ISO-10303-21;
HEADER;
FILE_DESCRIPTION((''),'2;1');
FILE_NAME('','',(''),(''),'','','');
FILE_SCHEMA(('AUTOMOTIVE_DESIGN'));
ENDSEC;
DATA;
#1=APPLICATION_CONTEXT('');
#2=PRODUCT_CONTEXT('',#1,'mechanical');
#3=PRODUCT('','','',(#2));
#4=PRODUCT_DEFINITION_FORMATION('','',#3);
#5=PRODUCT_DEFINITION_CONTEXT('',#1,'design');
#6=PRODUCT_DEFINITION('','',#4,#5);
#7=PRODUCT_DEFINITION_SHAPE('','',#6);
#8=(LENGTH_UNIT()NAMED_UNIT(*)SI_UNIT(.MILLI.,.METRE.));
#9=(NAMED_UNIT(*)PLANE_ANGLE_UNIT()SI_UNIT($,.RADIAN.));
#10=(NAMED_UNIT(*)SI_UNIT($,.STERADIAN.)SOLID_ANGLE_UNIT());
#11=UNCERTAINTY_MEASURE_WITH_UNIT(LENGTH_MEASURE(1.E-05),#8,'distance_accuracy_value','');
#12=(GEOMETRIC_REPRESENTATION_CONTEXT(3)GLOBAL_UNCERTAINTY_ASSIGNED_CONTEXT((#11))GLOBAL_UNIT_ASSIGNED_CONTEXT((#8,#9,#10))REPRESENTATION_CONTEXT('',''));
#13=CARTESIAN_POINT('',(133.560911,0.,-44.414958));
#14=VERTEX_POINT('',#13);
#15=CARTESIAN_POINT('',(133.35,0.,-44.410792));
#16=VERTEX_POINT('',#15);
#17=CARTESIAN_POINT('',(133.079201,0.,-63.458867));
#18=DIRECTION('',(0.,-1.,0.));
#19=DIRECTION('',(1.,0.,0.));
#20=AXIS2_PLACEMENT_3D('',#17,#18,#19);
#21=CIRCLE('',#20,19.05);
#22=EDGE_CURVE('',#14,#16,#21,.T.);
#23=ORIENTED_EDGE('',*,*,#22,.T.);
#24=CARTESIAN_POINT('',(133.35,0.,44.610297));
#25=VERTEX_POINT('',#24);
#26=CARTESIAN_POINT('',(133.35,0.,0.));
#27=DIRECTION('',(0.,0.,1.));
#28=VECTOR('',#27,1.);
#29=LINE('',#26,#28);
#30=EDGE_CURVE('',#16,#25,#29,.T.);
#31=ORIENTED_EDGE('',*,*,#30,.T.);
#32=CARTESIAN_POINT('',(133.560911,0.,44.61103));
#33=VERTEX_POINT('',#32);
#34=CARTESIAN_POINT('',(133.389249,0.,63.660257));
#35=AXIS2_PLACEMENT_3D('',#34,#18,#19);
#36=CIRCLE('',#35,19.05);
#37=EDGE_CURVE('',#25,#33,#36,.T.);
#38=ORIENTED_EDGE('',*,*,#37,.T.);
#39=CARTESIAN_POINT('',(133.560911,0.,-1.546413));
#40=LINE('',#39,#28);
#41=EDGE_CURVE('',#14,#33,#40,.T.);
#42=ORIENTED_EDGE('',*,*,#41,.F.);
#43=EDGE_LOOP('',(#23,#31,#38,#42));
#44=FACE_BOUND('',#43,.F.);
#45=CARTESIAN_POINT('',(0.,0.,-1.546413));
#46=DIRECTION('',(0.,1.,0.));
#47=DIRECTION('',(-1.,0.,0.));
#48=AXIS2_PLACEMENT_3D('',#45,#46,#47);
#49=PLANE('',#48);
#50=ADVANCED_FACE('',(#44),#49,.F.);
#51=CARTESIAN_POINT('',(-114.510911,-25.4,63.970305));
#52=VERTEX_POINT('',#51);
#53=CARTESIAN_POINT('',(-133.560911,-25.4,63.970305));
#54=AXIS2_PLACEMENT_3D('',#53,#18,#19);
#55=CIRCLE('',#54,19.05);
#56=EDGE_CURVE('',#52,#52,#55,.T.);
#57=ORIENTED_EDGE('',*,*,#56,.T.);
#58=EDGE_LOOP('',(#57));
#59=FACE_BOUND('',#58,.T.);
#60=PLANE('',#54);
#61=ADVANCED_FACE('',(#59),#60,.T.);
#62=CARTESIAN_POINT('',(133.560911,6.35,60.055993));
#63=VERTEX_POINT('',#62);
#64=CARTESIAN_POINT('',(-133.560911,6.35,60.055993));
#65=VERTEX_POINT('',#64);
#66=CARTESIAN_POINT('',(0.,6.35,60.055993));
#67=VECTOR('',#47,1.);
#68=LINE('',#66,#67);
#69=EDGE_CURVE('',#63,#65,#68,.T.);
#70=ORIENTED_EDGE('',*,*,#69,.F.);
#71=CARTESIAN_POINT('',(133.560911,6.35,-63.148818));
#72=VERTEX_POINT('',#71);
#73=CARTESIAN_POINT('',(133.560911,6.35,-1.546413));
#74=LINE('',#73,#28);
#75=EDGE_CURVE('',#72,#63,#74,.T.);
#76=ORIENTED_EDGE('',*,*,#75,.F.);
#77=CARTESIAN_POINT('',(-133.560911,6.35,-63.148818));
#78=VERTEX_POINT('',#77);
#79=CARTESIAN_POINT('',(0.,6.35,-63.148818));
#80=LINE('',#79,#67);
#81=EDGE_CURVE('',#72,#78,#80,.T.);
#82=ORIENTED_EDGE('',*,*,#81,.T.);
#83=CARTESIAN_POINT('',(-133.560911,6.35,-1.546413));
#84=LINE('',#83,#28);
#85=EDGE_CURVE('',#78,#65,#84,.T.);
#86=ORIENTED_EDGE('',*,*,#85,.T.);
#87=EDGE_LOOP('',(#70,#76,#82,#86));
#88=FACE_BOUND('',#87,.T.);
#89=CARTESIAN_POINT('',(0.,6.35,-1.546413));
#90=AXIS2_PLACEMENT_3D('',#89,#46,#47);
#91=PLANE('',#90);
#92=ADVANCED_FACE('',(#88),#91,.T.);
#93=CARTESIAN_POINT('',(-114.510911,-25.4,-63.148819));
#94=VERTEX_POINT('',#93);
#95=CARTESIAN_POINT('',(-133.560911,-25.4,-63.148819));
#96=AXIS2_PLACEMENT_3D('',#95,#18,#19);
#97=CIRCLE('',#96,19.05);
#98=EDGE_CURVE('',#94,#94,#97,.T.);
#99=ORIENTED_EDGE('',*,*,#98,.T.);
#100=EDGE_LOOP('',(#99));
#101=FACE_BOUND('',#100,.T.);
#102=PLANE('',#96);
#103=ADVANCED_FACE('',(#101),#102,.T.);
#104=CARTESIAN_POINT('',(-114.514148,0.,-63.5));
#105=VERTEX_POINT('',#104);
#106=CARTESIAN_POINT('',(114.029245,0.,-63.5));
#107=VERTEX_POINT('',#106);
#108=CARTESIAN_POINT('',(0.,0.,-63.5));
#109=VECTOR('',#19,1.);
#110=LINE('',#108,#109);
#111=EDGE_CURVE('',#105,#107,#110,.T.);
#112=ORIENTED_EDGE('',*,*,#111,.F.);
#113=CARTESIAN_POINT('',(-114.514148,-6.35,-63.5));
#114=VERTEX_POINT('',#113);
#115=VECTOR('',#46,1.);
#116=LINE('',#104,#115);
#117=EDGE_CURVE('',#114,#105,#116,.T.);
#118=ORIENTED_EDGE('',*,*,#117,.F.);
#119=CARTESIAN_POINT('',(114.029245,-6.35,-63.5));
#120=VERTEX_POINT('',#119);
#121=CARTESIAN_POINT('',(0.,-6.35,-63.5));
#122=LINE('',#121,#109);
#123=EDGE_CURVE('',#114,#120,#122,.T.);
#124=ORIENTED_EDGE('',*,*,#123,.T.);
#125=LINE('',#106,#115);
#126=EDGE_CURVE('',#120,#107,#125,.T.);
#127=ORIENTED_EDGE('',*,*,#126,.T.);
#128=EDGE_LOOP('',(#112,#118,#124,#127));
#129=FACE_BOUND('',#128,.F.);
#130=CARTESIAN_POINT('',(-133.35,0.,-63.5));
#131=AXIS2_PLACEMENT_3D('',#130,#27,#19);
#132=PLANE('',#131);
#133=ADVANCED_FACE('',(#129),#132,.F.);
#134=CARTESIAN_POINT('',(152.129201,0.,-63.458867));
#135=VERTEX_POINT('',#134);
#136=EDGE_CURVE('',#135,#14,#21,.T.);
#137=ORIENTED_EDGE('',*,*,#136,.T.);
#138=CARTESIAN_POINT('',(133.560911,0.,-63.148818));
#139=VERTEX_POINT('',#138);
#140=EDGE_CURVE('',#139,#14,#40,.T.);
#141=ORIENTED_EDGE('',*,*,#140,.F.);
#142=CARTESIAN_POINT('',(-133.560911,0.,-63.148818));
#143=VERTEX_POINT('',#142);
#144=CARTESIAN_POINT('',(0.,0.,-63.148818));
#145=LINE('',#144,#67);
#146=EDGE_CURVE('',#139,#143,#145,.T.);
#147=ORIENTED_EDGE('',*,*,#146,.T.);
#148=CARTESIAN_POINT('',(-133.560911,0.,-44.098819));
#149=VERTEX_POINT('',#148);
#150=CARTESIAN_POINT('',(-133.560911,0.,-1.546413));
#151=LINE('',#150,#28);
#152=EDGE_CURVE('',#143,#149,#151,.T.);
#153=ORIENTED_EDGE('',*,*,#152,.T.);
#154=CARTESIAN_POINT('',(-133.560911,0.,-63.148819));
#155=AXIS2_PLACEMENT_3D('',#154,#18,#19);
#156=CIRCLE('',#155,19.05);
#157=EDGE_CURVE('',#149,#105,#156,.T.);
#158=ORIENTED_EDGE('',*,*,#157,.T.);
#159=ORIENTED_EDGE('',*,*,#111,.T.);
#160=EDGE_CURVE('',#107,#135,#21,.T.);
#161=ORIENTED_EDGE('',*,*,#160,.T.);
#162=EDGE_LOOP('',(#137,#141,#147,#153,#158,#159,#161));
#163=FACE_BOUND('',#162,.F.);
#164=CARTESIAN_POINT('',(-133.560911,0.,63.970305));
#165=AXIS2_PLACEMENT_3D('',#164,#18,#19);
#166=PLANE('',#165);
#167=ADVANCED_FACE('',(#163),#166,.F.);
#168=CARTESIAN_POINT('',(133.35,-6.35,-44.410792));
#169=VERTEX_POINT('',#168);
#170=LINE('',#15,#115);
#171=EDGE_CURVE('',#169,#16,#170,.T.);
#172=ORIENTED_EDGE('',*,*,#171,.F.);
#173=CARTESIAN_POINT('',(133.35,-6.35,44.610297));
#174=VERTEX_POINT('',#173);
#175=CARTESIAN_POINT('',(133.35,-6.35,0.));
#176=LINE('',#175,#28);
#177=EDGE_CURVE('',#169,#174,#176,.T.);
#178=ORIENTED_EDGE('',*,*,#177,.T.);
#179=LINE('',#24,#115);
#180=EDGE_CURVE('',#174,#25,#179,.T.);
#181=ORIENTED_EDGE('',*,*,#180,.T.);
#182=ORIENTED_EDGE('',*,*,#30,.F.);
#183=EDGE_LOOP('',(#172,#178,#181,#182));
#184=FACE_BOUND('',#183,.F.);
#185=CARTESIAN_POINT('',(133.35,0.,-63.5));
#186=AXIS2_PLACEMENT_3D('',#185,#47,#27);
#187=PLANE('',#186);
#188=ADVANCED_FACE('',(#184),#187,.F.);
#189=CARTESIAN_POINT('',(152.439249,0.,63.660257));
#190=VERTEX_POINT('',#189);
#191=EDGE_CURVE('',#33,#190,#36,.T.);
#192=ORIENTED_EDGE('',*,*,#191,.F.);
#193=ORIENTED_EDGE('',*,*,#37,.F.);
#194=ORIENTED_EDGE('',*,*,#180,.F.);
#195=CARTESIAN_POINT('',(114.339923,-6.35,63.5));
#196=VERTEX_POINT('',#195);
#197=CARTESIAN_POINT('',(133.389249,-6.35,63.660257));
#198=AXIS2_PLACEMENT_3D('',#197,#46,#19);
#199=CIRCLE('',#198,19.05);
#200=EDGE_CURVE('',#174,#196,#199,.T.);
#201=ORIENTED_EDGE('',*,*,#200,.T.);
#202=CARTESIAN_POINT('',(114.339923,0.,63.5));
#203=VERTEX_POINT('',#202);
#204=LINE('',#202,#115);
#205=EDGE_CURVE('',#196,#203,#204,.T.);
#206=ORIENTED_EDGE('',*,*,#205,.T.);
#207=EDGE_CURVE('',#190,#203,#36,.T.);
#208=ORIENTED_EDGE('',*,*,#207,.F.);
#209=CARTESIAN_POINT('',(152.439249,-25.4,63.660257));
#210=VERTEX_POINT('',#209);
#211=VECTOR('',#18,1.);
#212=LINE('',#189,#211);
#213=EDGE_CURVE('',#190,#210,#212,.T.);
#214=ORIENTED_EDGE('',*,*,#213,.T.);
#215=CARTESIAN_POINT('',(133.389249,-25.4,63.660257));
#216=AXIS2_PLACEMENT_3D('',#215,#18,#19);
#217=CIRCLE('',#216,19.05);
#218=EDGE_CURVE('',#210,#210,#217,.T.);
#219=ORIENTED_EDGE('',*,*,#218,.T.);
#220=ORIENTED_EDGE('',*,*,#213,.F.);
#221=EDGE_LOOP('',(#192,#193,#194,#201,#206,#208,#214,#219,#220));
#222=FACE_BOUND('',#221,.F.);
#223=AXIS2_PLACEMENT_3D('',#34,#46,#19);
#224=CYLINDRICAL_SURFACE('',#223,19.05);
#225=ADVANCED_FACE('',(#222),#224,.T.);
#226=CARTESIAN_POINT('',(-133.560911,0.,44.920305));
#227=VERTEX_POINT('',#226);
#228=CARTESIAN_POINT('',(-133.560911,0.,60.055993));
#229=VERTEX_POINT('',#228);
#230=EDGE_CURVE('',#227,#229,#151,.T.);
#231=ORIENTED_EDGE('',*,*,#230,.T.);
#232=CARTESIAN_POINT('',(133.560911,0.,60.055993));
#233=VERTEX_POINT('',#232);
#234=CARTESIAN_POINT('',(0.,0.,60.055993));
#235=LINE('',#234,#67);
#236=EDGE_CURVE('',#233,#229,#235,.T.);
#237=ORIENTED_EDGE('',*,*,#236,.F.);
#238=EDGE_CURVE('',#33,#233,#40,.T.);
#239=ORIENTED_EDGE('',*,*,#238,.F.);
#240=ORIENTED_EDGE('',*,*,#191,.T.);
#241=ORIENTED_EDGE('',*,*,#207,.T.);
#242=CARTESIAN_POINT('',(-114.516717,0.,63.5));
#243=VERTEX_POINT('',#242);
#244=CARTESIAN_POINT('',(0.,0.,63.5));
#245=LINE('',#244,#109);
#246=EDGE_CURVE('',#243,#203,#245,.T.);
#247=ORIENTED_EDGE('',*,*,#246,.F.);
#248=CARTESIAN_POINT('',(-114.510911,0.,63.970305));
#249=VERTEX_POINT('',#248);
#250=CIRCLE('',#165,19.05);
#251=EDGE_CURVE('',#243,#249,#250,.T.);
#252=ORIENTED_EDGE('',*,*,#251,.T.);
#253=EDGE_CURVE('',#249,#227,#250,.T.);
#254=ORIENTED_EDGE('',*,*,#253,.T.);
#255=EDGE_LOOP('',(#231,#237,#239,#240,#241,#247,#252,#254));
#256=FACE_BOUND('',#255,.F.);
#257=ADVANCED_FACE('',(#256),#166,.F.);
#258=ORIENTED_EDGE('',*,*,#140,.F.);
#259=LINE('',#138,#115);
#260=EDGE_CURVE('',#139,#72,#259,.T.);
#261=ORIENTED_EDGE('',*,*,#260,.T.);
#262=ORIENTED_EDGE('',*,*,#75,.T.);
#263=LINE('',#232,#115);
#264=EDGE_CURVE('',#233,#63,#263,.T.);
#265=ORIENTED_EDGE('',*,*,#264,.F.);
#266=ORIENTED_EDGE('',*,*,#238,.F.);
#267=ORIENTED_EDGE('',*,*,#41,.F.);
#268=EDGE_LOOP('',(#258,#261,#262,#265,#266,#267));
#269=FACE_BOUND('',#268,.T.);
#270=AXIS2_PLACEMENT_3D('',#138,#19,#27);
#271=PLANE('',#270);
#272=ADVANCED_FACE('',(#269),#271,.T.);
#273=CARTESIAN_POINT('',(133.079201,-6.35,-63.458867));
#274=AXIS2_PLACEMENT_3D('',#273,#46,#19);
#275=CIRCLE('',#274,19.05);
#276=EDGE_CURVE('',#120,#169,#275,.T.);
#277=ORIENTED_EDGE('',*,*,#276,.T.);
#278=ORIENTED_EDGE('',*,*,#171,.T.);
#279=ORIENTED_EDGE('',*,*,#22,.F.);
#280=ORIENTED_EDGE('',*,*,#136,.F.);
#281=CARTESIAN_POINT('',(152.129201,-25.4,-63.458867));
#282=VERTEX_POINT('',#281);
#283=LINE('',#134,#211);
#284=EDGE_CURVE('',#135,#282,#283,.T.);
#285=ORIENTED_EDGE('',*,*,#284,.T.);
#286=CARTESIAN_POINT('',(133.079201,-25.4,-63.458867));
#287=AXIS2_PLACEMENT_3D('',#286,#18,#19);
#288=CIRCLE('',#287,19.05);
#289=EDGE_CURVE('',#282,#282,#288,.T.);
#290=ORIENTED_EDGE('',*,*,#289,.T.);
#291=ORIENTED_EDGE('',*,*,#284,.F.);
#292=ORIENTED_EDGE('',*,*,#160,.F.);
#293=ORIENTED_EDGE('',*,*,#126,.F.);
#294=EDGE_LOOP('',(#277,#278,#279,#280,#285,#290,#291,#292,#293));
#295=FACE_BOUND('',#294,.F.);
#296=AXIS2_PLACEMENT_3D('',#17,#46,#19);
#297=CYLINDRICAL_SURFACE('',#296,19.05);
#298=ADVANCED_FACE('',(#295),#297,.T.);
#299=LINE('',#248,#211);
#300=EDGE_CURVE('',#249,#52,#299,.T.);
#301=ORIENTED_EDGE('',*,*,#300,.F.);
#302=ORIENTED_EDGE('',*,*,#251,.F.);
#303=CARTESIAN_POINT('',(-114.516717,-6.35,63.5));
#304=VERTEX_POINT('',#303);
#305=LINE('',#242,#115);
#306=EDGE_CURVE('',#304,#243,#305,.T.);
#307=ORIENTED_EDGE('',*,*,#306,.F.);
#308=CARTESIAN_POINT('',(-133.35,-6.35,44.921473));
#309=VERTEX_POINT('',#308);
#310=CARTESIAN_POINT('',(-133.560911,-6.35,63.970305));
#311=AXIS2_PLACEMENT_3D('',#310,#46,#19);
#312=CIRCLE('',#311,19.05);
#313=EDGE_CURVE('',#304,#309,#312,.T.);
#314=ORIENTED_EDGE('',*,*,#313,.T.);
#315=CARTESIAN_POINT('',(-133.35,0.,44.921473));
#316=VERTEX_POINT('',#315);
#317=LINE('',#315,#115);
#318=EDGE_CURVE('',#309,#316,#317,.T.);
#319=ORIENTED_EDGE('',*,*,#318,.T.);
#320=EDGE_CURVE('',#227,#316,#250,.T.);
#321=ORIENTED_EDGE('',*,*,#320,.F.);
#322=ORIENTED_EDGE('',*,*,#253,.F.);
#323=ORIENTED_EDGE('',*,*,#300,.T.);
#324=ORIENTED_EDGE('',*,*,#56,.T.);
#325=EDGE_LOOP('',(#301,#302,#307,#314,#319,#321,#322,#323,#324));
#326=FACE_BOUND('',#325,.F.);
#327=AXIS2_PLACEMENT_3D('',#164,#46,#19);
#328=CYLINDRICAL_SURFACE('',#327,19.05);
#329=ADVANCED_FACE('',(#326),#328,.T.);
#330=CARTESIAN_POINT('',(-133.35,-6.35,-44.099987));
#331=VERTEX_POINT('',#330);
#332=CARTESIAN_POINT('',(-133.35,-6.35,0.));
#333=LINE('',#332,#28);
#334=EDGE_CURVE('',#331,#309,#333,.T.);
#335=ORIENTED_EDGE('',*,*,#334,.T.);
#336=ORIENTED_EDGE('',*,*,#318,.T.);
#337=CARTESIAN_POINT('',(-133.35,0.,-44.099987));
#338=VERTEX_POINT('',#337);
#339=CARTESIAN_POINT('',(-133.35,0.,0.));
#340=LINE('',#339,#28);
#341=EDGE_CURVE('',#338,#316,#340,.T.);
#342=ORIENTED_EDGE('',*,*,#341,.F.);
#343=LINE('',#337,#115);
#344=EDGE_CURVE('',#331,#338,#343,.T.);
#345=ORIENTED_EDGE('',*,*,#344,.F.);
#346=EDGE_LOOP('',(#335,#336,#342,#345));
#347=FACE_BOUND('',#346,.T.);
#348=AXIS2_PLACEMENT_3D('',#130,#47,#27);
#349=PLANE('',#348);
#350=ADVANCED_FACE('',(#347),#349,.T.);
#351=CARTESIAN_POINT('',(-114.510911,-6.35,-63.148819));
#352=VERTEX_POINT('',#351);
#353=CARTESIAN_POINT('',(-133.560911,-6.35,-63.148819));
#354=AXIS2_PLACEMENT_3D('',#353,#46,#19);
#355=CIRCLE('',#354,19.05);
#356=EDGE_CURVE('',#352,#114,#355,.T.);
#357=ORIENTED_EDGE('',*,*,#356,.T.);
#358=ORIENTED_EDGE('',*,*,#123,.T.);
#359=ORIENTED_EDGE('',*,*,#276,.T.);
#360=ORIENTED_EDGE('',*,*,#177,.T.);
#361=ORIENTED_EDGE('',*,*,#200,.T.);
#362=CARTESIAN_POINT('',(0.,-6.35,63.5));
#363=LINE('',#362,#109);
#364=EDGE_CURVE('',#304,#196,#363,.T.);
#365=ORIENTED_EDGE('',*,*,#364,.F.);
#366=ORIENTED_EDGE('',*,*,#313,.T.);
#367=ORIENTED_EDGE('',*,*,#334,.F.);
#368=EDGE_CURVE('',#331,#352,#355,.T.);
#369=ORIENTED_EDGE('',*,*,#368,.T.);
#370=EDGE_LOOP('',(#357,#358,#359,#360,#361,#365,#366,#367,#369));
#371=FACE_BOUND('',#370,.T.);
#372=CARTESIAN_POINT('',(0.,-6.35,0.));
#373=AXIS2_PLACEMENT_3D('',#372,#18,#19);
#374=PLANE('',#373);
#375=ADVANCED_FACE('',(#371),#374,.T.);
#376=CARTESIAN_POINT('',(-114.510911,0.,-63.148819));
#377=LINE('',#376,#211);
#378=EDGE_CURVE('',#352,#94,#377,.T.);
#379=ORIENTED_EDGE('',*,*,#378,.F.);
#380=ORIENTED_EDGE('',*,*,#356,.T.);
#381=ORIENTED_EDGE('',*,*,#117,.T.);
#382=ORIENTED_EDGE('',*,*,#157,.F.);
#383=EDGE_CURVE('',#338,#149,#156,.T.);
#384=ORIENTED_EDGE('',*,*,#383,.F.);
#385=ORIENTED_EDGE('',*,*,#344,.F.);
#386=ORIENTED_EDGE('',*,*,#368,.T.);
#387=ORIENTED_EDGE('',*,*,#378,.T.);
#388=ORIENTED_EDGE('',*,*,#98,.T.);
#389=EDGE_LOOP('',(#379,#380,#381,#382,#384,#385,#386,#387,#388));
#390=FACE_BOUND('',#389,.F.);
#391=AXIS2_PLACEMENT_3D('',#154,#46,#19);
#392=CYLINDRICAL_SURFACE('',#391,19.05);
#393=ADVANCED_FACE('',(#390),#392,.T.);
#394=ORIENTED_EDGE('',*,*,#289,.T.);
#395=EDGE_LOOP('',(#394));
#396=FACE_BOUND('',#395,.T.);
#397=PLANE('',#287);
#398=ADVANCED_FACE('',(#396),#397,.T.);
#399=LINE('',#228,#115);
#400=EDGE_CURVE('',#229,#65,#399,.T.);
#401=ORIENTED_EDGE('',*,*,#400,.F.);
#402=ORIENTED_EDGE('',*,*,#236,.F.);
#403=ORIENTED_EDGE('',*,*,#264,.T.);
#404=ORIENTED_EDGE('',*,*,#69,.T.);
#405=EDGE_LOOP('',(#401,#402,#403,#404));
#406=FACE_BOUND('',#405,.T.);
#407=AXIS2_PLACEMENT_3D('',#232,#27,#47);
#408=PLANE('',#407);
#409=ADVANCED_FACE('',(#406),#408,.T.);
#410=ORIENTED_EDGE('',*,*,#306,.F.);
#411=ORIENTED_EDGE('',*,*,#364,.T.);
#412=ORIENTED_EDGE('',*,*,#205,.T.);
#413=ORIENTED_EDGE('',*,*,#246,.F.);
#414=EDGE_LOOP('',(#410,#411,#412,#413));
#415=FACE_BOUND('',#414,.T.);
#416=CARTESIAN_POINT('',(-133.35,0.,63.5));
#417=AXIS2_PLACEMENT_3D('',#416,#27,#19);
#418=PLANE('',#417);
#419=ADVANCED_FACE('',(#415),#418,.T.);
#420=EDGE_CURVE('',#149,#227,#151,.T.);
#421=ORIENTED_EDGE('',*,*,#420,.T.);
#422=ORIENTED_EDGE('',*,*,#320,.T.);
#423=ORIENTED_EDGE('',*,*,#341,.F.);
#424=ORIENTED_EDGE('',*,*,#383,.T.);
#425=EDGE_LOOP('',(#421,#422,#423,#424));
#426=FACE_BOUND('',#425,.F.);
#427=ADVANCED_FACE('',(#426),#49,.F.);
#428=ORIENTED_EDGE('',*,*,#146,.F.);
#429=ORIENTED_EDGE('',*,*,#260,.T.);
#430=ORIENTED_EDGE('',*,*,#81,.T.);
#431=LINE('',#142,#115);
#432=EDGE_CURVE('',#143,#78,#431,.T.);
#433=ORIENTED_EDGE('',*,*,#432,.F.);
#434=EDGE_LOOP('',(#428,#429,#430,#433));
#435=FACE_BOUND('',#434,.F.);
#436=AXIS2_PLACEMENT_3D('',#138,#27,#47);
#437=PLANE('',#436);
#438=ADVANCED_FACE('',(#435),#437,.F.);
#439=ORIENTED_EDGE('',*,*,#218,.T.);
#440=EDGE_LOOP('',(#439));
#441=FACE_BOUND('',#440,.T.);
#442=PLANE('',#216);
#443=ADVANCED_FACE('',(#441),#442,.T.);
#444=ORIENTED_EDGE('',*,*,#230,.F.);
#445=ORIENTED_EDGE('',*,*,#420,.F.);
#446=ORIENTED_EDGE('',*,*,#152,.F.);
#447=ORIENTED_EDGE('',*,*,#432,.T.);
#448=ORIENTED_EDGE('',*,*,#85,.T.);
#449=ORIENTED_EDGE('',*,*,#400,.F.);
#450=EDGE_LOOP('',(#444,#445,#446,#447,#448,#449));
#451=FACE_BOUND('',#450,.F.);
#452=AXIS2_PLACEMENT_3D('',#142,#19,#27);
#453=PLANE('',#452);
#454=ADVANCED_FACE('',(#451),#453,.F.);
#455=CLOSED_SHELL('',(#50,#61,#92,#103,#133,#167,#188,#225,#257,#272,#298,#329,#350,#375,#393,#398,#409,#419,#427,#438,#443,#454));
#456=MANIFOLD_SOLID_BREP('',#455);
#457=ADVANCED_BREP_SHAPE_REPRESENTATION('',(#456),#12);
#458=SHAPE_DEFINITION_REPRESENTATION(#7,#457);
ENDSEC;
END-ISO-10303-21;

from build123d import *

# Parameters (mm, degrees)
F0_W     = 266.7
F0_H     = 127
F0_W_2   = 228.6
F0_H_2   = 12.7
F2_DEPTH = 6.35
F1_R     = 19.05
F3_DEPTH = 25.4
F4_W     = 267.121822
F4_H     = 123.204811
F5_DEPTH = 6.35


with BuildPart() as f2:
    # F0 (on Front) → F2 (new body)
    with BuildSketch(Plane.XZ):
        Rectangle(F0_W, F0_H)
        Polygon((114.3, -38.1), (114.3, -50.8), (-114.3, -50.8), (-114.3, -38.1), (-114.3, -25.4), (-114.3, -12.7), (-114.3, 0), (-114.3, 12.7), (-114.3, 25.4), (-114.3, 38.1), (-114.3, 50.8), (114.3, 50.8), (114.3, 38.1), (114.3, 25.4), (114.3, 12.7), (114.3, 0), (114.3, -12.7), (114.3, -25.4), align=None, mode=Mode.SUBTRACT)
        with Locations((0, -44.45)):
            Rectangle(F0_W_2, F0_H_2)
        with Locations((0, -31.75)):
            Rectangle(F0_W_2, F0_H_2)
        with Locations((0, -19.05)):
            Rectangle(F0_W_2, F0_H_2)
        with Locations((0, -6.35)):
            Rectangle(F0_W_2, F0_H_2)
        with Locations((0, 6.35)):
            Rectangle(F0_W_2, F0_H_2)
        with Locations((0, 19.05)):
            Rectangle(F0_W_2, F0_H_2)
        with Locations((0, 31.75)):
            Rectangle(F0_W_2, F0_H_2)
        with Locations((0, 44.45)):
            Rectangle(F0_W_2, F0_H_2)
    extrude(amount=F2_DEPTH)

    # F1 (on face) → F3 (join)
    with BuildSketch(Plane.XZ):
        with Locations((-133.560911, 63.970305)):
            Circle(F1_R)
        with Locations((133.389249, 63.660257)):
            Circle(F1_R)
        with Locations((133.079201, -63.458867)):
            Circle(F1_R)
        with Locations((-133.560911, -63.148819)):
            Circle(F1_R)
    extrude(amount=F3_DEPTH)

    # F4 (on face) → F5 (join)
    with BuildSketch(Plane(origin=(0, 0, 0), x_dir=(-1, 0, 0), z_dir=(0, 1, 0))):
        with Locations((0, -1.546413)):
            Rectangle(F4_W, F4_H)
    extrude(amount=F5_DEPTH)


solid = f2.part
